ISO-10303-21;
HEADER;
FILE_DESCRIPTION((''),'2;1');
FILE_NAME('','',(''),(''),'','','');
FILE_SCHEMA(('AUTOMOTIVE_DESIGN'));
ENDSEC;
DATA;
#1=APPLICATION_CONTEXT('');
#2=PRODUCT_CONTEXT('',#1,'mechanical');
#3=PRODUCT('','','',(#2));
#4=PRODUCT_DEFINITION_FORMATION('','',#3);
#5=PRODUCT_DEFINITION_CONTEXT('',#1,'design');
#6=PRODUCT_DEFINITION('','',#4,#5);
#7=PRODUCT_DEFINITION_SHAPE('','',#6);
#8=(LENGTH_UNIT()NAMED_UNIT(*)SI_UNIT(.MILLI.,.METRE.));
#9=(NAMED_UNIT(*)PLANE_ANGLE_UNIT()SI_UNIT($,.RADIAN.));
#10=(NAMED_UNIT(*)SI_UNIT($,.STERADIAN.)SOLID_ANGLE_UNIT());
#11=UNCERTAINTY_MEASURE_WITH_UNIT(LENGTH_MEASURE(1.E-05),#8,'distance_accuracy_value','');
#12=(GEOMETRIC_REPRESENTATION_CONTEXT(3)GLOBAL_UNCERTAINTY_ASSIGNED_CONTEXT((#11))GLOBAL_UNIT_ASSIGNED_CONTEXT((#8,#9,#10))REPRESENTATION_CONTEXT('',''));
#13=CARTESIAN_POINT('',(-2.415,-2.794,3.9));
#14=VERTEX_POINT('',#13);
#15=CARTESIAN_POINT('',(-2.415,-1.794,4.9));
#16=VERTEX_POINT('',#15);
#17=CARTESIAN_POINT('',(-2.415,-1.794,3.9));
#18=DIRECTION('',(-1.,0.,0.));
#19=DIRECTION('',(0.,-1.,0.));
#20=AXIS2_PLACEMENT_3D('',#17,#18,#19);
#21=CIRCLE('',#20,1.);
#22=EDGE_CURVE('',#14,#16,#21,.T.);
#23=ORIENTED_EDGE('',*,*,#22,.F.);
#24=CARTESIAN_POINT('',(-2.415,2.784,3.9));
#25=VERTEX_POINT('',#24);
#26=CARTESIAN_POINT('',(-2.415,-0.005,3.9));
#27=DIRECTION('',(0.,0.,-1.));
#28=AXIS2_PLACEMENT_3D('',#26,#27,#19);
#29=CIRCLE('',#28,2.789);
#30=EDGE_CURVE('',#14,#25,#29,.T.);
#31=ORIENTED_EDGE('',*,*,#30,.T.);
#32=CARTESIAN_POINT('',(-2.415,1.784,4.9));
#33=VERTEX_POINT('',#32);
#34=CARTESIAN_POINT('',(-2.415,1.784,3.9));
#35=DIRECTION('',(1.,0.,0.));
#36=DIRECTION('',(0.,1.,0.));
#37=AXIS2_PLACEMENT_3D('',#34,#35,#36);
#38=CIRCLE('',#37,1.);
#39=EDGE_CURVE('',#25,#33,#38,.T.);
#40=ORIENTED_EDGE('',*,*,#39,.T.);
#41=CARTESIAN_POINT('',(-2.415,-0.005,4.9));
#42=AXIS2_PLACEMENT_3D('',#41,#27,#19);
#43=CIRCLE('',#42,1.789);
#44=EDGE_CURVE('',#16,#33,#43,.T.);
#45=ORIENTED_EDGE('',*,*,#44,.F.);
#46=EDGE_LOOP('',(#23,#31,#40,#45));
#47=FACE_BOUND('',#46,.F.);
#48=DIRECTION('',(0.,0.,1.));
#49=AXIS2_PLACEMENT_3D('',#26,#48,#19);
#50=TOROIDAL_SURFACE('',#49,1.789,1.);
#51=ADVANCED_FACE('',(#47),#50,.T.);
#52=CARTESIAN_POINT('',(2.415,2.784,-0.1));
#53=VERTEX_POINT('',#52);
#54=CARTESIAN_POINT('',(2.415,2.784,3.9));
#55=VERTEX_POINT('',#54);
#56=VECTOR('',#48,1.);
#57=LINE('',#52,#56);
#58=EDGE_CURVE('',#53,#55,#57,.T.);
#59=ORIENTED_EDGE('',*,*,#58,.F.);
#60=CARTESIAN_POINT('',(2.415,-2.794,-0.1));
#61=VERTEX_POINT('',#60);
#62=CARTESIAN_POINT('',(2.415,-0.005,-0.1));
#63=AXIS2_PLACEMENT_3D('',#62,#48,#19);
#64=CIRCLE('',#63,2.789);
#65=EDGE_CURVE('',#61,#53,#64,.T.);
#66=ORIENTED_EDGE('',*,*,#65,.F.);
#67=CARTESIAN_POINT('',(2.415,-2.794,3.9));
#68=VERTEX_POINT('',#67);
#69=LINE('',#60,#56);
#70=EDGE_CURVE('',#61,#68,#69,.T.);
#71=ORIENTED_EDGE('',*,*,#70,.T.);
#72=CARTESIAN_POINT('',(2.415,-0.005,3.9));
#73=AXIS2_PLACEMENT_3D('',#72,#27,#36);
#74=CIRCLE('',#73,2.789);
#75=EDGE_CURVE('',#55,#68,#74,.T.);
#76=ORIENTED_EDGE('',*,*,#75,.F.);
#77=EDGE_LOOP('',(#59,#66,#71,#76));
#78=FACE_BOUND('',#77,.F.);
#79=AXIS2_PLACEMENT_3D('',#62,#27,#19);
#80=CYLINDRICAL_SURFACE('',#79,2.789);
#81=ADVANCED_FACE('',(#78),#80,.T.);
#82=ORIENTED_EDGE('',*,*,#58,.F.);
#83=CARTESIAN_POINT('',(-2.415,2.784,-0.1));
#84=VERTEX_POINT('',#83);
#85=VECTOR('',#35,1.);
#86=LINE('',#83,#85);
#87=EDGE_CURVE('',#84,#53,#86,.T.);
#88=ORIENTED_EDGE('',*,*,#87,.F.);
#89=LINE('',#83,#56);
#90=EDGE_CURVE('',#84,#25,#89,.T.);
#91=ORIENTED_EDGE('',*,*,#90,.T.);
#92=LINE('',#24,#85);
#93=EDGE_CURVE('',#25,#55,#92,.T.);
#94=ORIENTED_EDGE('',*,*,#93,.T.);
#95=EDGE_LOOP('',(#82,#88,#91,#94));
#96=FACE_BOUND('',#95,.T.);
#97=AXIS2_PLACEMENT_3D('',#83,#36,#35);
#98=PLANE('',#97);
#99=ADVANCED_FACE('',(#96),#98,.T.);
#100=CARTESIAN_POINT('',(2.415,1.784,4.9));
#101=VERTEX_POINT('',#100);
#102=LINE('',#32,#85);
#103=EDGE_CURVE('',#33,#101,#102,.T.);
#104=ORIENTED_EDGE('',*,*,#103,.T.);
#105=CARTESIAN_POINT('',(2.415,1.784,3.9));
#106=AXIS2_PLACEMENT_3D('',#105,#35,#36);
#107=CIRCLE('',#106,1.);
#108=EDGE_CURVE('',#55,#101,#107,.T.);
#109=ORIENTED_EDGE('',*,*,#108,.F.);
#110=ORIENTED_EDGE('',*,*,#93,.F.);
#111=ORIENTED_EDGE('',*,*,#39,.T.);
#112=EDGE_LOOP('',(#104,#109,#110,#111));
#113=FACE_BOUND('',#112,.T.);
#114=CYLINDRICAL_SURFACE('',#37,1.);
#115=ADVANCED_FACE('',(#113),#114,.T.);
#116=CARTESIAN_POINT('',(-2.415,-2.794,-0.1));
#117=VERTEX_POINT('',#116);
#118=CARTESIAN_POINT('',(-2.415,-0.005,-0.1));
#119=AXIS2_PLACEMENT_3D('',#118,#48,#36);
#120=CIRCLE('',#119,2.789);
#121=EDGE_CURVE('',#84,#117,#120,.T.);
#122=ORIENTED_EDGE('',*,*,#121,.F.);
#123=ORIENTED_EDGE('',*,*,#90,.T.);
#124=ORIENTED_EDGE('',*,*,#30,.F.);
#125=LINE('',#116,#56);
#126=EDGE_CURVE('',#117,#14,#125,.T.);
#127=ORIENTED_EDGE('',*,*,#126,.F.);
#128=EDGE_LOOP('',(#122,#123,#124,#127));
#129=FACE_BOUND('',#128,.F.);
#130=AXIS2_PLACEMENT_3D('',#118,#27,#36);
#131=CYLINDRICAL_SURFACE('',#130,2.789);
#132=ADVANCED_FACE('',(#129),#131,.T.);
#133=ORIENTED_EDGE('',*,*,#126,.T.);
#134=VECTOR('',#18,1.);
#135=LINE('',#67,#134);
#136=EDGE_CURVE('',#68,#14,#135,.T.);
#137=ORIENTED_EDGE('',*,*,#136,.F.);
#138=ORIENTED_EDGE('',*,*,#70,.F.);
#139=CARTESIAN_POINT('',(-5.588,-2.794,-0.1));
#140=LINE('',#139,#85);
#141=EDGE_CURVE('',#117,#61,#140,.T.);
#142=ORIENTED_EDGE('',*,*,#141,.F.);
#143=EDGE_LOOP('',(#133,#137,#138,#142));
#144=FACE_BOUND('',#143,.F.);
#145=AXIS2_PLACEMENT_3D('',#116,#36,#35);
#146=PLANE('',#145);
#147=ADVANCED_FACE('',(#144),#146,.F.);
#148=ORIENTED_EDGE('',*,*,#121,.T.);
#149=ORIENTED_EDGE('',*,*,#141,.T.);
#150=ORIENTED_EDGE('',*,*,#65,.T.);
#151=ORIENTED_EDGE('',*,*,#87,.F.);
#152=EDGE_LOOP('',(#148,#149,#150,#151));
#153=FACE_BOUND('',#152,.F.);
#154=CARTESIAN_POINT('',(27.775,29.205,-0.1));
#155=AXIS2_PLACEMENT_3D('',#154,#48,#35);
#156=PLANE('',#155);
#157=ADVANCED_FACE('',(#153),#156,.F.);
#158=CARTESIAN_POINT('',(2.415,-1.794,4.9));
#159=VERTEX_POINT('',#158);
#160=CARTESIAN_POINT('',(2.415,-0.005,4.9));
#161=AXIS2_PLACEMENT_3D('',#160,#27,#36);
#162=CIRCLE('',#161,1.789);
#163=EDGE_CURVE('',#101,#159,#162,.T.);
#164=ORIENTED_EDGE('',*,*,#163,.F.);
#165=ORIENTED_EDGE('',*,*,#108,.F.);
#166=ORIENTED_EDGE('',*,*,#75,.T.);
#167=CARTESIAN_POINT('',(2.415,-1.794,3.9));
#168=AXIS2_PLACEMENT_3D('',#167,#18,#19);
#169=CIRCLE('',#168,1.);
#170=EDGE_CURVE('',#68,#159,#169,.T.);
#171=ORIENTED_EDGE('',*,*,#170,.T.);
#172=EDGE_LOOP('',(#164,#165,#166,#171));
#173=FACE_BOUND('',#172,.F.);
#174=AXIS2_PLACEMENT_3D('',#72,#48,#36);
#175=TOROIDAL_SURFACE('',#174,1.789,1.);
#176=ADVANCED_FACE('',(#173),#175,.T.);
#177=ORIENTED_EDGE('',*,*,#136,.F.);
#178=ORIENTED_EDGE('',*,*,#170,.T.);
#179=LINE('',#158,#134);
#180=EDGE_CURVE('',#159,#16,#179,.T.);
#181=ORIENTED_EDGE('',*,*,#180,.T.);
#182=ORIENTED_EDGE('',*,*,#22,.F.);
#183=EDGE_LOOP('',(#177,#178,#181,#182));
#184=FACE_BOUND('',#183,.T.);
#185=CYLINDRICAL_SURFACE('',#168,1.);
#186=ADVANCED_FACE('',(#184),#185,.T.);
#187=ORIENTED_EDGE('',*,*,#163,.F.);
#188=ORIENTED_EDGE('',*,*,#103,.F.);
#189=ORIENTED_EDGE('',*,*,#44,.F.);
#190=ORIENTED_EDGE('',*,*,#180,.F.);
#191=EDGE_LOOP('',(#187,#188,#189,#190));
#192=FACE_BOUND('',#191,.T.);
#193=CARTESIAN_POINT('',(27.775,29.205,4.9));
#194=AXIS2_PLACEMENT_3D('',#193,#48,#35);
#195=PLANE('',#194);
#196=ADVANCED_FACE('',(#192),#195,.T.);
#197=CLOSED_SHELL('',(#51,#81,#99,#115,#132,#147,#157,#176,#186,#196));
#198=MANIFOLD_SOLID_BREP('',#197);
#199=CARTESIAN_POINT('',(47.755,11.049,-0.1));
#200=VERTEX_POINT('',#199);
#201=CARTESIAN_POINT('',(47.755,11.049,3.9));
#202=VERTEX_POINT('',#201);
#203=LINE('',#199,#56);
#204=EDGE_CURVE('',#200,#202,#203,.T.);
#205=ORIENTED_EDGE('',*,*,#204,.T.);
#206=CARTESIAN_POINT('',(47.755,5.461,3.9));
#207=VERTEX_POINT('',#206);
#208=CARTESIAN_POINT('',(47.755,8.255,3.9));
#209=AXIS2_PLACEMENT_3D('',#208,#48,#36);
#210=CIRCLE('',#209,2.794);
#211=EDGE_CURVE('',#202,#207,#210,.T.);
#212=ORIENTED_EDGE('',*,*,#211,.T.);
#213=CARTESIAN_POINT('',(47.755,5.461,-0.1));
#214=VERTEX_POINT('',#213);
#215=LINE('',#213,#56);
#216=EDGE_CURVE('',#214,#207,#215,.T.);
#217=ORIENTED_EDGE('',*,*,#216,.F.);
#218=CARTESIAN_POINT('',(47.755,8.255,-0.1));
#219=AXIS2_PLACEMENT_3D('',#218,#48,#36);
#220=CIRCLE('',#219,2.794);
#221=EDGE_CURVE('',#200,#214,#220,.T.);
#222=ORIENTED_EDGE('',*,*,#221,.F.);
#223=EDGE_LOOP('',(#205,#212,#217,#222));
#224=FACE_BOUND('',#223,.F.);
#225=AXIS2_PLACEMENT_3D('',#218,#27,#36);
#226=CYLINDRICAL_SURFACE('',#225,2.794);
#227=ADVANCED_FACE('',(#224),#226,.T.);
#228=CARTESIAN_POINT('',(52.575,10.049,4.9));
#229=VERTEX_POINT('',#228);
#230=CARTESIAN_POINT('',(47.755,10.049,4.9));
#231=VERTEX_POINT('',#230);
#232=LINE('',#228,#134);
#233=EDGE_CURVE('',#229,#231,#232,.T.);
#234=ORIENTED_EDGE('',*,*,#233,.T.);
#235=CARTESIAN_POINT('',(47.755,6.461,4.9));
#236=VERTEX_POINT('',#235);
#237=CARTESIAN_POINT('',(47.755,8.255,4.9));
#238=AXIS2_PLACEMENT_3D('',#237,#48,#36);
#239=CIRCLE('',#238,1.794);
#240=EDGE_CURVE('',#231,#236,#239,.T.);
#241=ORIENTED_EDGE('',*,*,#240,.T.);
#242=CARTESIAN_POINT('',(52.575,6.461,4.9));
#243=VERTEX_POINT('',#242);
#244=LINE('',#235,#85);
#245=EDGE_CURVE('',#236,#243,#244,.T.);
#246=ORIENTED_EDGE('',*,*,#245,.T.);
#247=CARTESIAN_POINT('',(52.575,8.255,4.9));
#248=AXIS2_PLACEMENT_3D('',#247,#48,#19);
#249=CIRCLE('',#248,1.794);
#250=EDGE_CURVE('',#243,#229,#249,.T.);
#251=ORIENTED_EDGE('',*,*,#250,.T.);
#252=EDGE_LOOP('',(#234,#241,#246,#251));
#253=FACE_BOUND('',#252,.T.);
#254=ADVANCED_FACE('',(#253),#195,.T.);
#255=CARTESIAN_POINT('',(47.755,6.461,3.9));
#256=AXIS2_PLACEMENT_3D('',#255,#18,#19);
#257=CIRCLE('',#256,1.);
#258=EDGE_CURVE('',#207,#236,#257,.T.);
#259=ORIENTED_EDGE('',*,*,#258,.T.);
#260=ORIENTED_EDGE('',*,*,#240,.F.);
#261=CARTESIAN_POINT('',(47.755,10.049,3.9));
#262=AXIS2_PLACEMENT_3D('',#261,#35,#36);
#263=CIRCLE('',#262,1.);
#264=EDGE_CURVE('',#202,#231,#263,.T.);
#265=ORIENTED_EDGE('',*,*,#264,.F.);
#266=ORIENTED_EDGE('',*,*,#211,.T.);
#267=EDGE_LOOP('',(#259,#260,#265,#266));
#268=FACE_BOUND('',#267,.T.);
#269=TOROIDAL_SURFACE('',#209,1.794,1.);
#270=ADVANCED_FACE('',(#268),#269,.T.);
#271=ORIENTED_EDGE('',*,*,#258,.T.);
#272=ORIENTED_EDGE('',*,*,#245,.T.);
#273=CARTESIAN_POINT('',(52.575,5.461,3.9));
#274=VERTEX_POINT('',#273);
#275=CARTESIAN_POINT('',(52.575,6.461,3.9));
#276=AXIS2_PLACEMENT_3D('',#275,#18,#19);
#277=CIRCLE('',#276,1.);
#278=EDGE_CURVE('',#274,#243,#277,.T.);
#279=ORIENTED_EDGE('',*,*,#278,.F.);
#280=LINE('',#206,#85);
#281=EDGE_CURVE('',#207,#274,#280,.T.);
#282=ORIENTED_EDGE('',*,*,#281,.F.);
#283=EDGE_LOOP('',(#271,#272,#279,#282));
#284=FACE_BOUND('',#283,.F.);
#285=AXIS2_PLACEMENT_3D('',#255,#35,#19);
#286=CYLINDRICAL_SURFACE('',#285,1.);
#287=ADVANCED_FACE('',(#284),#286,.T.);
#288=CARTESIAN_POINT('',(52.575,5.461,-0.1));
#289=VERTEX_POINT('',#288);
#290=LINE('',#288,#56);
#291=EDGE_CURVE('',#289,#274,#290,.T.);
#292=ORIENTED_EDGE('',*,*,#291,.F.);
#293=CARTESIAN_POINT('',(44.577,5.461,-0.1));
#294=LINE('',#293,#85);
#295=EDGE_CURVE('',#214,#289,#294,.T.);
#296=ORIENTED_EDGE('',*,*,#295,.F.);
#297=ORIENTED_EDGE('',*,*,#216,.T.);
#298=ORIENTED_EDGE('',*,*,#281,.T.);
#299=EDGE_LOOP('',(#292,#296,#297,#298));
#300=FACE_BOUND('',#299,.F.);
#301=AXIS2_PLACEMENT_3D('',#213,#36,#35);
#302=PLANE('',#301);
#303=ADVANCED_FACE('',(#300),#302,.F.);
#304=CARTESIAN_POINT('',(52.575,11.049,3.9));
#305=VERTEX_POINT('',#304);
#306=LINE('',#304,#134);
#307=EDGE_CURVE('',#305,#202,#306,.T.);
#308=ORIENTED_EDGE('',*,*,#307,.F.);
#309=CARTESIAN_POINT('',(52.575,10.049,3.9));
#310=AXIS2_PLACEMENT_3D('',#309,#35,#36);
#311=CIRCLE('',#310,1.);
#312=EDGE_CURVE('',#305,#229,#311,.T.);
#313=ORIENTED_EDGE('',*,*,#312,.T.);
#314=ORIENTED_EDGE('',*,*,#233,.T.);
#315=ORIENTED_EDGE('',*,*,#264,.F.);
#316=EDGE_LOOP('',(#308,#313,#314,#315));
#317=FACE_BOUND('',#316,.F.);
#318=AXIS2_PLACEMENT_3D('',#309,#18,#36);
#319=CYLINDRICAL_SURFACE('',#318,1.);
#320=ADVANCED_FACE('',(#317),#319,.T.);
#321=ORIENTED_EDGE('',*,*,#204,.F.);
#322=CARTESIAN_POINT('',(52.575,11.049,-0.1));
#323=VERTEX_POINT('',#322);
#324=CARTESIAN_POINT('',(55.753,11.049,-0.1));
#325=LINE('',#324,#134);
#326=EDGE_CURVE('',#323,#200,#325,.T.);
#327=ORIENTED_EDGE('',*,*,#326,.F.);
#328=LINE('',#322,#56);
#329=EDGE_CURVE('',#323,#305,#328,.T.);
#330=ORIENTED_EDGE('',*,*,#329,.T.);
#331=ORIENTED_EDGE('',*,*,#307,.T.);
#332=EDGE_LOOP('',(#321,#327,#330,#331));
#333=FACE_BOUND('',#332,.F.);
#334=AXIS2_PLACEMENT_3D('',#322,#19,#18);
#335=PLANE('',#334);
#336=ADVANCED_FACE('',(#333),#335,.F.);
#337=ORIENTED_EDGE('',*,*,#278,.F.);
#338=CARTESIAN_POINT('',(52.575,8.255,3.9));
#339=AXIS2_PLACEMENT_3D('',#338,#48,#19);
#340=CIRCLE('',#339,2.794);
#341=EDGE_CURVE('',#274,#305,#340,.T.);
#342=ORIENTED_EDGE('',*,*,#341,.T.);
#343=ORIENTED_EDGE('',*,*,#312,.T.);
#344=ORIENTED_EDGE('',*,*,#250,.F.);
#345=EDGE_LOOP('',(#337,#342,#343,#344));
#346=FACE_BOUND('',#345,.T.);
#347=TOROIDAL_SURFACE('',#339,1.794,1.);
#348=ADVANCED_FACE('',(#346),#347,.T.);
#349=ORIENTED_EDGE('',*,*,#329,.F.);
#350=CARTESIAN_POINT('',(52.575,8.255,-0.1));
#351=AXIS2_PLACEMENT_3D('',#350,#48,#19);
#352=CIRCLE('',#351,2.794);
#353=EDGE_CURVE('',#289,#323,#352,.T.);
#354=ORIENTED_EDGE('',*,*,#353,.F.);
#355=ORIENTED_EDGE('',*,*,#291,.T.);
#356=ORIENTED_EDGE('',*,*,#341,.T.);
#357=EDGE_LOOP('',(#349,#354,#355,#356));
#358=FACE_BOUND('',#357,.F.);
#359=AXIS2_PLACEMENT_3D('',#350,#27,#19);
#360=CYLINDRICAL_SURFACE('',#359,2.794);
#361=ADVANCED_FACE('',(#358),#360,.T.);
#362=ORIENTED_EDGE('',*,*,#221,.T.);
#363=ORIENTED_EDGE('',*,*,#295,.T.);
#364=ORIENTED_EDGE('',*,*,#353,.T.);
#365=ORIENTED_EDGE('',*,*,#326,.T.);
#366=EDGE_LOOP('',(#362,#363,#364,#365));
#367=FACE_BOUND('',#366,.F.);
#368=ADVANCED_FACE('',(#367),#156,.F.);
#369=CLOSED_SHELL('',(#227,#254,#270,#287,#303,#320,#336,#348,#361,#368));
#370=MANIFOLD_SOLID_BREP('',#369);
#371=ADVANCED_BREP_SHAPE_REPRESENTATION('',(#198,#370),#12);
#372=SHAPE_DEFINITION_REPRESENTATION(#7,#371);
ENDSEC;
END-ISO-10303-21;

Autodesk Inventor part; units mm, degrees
ref_plane "YZ Plane" through (0, 0, 0) normal (1, 0, 0) x (0, 1, 0)
ref_plane "XZ Plane" through (0, 0, 0) normal (0, 1, 0) x (-1, 0, 0)
ref_plane "XY Plane" through (0, 0, 0) normal (0, 0, 1) x (1, 0, 0)
ref_plane "Work Plane1" through (27.775, 29.205, -0.1) normal (0, 0, 1) x (1, 0, 0)
sketch "Sketch1" plane through (27.775, 29.205, -0.1) normal (0, 0, 1) x (1, 0, 0)
  circle A0 centre (-30.19, -29.21) radius 0.405 projected
  circle A1 centre (-25.36, -29.21) radius 0.405 projected
  line L0 (-22.187, -26.411) -> (-33.363, -26.411) projected
  line L1 (-33.363, -26.411) -> (-33.363, -31.999) projected
  line L2 (-33.363, -31.999) -> (-22.187, -31.999) projected
  line L3 (-22.187, -31.999) -> (-22.187, -26.411) projected
  circle A2 centre (19.98, -20.95) radius 0.405 projected
  circle A3 centre (24.8, -20.95) radius 0.405 projected
  line L4 (16.802, -23.744) -> (27.978, -23.744) projected
  line L5 (27.978, -23.744) -> (27.978, -18.156) projected
  line L6 (27.978, -18.156) -> (16.802, -18.156) projected
  line L7 (16.802, -18.156) -> (16.802, -23.744) projected
  line L8 (-30.19, -29.21) -> (-25.36, -29.21) construction
  line L9 (-30.19, -26.421) -> (-25.36, -26.421)
  line L10 (-25.36, -31.999) -> (-30.19, -31.999)
  arc A4 (-30.19, -26.421) -> (-30.19, -31.999) centre (-30.19, -29.21) ccw
  arc A5 (-25.36, -31.999) -> (-25.36, -26.421) centre (-25.36, -29.21) ccw
  line L11 (19.98, -20.95) -> (24.8, -20.95) construction
  line L12 (19.98, -18.156) -> (24.8, -18.156)
  line L13 (24.8, -23.744) -> (19.98, -23.744)
  arc A6 (19.98, -18.156) -> (19.98, -23.744) centre (19.98, -20.95) ccw
  arc A7 (24.8, -23.744) -> (24.8, -18.156) centre (24.8, -20.95) ccw
  point P0 (-27.775, -29.205)
  point P1 (-27.775, -29.21)
  point P2 (22.39, -20.95)
extrude "Extrusion1" add sketch "Sketch1" along normal blind 5 contours A0 | A1 | L2 A4 L9 A5 | A2 | A3 | A6 L6 A7 L4
fillet "Fillet1" radius 1 8 edges at (0, 2.784, 4.9) (-5.204, -0.005, 4.9) (0, -2.794, 4.9) (5.204, -0.005, 4.9) (50.165, 11.049, 4.9) (44.961, 8.255, 4.9) (50.165, 5.461, 4.9) (55.369, 8.255, 4.9)
properties part number "crystals"
